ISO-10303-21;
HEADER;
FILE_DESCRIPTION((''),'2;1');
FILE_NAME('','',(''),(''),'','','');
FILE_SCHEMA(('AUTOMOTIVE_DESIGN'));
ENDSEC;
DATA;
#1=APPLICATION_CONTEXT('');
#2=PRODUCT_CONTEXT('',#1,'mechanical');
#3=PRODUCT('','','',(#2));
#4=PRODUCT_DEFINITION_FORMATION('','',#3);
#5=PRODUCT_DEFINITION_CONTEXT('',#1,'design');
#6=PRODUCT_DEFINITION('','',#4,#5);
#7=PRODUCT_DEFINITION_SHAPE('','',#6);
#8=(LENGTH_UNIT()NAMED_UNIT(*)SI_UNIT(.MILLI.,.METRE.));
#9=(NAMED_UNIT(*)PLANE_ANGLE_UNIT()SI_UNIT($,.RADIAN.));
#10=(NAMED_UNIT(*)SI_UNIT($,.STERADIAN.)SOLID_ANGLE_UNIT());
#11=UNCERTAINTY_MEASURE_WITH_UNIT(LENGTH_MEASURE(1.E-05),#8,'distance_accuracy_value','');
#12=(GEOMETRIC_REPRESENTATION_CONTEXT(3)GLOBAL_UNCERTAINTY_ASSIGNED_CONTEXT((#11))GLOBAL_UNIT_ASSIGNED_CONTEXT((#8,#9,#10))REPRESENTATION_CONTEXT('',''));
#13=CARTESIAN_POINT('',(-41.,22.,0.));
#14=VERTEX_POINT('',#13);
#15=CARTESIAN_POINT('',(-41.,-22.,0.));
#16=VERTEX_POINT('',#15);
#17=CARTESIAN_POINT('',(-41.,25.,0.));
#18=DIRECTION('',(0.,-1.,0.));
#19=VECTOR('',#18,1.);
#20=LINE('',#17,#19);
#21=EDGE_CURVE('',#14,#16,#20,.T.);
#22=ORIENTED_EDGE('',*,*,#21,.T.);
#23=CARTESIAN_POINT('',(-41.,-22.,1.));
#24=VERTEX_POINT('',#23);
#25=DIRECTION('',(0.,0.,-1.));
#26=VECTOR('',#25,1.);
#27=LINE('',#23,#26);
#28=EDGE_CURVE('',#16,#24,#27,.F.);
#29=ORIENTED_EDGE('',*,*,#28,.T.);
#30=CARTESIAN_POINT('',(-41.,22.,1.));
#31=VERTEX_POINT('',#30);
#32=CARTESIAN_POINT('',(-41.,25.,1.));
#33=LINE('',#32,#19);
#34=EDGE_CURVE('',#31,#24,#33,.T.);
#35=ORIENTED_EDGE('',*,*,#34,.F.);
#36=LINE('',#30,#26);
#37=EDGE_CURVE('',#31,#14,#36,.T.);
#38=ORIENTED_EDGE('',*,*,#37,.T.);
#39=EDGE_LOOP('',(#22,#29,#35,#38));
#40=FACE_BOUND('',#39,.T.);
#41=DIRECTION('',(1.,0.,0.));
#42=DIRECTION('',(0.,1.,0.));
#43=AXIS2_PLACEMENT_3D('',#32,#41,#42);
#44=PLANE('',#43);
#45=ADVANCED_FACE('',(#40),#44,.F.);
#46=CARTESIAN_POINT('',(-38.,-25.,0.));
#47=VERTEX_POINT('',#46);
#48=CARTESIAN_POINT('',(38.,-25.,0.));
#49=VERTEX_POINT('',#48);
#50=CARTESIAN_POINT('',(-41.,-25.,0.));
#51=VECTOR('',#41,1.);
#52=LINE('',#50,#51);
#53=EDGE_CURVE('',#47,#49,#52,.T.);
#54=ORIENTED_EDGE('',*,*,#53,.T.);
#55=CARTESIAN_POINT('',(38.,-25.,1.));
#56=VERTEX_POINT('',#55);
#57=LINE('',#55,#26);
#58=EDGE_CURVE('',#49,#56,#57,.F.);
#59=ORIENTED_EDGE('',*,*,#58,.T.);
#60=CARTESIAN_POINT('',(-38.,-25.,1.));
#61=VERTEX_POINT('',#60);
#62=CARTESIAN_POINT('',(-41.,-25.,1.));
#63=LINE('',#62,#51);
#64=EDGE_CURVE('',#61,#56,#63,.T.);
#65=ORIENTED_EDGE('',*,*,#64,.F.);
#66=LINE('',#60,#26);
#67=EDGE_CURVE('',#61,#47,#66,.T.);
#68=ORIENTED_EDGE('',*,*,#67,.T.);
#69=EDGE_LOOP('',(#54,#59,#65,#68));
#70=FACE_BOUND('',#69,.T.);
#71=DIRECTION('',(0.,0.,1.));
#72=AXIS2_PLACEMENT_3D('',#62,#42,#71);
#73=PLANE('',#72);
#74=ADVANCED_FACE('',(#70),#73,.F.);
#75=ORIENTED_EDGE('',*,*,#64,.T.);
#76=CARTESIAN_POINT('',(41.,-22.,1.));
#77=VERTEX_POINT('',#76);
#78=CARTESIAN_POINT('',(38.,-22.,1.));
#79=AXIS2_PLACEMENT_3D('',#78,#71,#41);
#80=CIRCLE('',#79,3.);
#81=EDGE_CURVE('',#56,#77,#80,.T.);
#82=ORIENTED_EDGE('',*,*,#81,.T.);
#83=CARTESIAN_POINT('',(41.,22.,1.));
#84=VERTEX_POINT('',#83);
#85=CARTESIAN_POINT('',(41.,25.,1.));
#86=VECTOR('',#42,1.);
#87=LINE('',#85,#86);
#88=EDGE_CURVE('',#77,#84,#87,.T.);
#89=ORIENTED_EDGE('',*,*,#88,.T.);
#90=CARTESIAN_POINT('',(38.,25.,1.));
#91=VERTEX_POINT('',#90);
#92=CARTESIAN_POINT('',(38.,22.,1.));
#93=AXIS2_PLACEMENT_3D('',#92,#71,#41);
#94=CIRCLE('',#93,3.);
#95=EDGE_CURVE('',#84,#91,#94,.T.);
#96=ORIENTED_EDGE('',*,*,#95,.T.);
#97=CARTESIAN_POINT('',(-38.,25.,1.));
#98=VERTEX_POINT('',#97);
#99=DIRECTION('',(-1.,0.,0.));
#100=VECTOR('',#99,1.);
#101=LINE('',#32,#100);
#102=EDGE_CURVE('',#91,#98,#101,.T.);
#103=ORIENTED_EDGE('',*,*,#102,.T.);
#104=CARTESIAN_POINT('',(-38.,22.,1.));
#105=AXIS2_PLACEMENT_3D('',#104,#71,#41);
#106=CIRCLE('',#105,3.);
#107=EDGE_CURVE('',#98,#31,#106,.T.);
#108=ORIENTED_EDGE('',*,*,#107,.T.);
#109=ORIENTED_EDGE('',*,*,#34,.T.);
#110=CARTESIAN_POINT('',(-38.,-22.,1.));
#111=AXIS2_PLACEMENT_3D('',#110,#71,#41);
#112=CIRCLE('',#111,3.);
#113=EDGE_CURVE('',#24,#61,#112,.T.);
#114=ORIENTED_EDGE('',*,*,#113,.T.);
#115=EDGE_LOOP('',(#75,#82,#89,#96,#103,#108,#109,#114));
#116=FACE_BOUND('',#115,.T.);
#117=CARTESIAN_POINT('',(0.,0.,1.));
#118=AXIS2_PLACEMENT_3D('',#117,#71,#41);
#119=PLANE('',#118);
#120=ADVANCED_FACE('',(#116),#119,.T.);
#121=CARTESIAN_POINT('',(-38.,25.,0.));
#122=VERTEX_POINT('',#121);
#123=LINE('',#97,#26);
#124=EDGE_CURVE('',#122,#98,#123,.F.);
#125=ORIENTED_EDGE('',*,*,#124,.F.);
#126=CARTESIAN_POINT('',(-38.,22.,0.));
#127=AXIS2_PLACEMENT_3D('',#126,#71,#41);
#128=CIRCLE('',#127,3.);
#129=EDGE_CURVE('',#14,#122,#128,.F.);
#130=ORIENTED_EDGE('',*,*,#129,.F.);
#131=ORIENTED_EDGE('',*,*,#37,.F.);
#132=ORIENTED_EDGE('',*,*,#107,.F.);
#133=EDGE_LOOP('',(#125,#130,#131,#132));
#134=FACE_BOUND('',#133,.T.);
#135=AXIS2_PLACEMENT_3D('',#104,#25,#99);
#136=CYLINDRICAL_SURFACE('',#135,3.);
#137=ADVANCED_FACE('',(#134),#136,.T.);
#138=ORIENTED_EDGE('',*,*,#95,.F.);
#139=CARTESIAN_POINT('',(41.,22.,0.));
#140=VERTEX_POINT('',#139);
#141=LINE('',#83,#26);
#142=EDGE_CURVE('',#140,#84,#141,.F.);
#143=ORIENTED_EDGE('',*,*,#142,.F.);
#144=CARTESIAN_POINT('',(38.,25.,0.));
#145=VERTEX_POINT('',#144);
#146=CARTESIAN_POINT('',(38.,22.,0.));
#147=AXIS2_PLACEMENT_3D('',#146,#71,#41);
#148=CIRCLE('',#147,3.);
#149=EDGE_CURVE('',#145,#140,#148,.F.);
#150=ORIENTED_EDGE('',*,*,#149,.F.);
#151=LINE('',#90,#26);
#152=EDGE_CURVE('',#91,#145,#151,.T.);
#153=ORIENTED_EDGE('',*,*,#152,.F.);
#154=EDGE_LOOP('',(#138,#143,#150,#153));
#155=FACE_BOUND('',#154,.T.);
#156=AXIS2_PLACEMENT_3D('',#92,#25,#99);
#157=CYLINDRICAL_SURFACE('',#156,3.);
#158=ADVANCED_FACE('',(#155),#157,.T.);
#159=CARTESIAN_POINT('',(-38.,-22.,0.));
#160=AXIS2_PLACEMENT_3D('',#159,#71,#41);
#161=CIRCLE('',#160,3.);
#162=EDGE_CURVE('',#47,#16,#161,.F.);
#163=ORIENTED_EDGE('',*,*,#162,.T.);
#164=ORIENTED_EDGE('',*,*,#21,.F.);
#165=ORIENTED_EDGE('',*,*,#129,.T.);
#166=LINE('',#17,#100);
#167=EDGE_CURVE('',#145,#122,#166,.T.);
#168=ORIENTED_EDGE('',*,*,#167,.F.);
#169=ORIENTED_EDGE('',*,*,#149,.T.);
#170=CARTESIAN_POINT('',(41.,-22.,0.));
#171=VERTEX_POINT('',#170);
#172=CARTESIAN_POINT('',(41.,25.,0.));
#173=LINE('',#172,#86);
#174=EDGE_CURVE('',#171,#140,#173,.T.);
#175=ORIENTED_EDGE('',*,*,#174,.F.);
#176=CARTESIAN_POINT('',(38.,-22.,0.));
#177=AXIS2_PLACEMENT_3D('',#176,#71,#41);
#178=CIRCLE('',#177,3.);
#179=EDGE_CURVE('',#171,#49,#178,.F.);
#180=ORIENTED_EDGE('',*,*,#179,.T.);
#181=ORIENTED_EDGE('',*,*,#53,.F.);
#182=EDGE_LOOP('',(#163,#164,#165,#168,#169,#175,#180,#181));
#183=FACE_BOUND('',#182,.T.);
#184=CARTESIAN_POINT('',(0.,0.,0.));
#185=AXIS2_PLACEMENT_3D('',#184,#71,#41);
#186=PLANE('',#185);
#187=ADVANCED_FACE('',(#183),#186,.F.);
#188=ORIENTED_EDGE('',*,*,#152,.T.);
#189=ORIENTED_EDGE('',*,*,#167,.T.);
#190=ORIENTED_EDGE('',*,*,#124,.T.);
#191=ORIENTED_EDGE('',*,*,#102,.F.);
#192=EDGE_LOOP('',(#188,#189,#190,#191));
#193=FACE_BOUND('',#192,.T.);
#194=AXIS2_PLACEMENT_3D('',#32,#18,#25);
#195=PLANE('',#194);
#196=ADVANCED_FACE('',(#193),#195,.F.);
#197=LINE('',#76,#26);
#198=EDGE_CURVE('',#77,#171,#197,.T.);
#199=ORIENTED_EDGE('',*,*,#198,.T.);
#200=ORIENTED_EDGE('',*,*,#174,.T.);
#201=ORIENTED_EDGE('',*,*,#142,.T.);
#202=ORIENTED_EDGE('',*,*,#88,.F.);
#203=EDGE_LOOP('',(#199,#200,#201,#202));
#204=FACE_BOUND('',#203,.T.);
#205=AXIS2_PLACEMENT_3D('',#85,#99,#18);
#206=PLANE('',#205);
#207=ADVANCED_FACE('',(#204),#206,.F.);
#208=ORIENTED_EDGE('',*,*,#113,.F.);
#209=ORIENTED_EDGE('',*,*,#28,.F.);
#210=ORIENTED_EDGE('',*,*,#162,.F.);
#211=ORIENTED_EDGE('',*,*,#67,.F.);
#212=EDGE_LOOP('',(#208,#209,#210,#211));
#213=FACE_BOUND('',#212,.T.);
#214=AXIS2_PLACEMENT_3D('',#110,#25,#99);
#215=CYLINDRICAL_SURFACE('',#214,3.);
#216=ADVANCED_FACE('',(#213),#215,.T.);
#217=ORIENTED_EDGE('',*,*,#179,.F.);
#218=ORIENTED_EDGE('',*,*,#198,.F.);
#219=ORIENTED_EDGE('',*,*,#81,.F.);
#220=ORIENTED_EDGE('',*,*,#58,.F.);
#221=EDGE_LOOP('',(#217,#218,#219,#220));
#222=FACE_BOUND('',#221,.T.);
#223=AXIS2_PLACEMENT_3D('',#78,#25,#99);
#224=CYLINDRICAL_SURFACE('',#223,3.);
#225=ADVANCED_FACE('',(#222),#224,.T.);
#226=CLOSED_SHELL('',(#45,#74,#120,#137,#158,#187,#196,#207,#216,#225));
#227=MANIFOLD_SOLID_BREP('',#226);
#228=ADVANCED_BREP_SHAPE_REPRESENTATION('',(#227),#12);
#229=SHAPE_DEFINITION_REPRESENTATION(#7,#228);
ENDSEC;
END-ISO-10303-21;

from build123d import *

# Parameters (mm, degrees)
SKETCH_1_W      = 82
SKETCH_1_H      = 50
EXTRUDE_1_DEPTH = 1
FILLET_1_R      = 3


with BuildPart() as part:
    # 草图1 → 凸台-拉伸1 (new body)
    with BuildSketch(Plane.XY):
        Rectangle(SKETCH_1_W, SKETCH_1_H)
    extrude(amount=EXTRUDE_1_DEPTH)

    # 圆角1
    fillet_1_edges = [part.edges().sort_by_distance(p)[0] for p in [
        (41, -25, 0.5),
        (-41, -25, 0.5),
        (-41, 25, 0.5),
        (41, 25, 0.5),
    ]]
    fillet(fillet_1_edges, radius=FILLET_1_R)


solid = part.part
